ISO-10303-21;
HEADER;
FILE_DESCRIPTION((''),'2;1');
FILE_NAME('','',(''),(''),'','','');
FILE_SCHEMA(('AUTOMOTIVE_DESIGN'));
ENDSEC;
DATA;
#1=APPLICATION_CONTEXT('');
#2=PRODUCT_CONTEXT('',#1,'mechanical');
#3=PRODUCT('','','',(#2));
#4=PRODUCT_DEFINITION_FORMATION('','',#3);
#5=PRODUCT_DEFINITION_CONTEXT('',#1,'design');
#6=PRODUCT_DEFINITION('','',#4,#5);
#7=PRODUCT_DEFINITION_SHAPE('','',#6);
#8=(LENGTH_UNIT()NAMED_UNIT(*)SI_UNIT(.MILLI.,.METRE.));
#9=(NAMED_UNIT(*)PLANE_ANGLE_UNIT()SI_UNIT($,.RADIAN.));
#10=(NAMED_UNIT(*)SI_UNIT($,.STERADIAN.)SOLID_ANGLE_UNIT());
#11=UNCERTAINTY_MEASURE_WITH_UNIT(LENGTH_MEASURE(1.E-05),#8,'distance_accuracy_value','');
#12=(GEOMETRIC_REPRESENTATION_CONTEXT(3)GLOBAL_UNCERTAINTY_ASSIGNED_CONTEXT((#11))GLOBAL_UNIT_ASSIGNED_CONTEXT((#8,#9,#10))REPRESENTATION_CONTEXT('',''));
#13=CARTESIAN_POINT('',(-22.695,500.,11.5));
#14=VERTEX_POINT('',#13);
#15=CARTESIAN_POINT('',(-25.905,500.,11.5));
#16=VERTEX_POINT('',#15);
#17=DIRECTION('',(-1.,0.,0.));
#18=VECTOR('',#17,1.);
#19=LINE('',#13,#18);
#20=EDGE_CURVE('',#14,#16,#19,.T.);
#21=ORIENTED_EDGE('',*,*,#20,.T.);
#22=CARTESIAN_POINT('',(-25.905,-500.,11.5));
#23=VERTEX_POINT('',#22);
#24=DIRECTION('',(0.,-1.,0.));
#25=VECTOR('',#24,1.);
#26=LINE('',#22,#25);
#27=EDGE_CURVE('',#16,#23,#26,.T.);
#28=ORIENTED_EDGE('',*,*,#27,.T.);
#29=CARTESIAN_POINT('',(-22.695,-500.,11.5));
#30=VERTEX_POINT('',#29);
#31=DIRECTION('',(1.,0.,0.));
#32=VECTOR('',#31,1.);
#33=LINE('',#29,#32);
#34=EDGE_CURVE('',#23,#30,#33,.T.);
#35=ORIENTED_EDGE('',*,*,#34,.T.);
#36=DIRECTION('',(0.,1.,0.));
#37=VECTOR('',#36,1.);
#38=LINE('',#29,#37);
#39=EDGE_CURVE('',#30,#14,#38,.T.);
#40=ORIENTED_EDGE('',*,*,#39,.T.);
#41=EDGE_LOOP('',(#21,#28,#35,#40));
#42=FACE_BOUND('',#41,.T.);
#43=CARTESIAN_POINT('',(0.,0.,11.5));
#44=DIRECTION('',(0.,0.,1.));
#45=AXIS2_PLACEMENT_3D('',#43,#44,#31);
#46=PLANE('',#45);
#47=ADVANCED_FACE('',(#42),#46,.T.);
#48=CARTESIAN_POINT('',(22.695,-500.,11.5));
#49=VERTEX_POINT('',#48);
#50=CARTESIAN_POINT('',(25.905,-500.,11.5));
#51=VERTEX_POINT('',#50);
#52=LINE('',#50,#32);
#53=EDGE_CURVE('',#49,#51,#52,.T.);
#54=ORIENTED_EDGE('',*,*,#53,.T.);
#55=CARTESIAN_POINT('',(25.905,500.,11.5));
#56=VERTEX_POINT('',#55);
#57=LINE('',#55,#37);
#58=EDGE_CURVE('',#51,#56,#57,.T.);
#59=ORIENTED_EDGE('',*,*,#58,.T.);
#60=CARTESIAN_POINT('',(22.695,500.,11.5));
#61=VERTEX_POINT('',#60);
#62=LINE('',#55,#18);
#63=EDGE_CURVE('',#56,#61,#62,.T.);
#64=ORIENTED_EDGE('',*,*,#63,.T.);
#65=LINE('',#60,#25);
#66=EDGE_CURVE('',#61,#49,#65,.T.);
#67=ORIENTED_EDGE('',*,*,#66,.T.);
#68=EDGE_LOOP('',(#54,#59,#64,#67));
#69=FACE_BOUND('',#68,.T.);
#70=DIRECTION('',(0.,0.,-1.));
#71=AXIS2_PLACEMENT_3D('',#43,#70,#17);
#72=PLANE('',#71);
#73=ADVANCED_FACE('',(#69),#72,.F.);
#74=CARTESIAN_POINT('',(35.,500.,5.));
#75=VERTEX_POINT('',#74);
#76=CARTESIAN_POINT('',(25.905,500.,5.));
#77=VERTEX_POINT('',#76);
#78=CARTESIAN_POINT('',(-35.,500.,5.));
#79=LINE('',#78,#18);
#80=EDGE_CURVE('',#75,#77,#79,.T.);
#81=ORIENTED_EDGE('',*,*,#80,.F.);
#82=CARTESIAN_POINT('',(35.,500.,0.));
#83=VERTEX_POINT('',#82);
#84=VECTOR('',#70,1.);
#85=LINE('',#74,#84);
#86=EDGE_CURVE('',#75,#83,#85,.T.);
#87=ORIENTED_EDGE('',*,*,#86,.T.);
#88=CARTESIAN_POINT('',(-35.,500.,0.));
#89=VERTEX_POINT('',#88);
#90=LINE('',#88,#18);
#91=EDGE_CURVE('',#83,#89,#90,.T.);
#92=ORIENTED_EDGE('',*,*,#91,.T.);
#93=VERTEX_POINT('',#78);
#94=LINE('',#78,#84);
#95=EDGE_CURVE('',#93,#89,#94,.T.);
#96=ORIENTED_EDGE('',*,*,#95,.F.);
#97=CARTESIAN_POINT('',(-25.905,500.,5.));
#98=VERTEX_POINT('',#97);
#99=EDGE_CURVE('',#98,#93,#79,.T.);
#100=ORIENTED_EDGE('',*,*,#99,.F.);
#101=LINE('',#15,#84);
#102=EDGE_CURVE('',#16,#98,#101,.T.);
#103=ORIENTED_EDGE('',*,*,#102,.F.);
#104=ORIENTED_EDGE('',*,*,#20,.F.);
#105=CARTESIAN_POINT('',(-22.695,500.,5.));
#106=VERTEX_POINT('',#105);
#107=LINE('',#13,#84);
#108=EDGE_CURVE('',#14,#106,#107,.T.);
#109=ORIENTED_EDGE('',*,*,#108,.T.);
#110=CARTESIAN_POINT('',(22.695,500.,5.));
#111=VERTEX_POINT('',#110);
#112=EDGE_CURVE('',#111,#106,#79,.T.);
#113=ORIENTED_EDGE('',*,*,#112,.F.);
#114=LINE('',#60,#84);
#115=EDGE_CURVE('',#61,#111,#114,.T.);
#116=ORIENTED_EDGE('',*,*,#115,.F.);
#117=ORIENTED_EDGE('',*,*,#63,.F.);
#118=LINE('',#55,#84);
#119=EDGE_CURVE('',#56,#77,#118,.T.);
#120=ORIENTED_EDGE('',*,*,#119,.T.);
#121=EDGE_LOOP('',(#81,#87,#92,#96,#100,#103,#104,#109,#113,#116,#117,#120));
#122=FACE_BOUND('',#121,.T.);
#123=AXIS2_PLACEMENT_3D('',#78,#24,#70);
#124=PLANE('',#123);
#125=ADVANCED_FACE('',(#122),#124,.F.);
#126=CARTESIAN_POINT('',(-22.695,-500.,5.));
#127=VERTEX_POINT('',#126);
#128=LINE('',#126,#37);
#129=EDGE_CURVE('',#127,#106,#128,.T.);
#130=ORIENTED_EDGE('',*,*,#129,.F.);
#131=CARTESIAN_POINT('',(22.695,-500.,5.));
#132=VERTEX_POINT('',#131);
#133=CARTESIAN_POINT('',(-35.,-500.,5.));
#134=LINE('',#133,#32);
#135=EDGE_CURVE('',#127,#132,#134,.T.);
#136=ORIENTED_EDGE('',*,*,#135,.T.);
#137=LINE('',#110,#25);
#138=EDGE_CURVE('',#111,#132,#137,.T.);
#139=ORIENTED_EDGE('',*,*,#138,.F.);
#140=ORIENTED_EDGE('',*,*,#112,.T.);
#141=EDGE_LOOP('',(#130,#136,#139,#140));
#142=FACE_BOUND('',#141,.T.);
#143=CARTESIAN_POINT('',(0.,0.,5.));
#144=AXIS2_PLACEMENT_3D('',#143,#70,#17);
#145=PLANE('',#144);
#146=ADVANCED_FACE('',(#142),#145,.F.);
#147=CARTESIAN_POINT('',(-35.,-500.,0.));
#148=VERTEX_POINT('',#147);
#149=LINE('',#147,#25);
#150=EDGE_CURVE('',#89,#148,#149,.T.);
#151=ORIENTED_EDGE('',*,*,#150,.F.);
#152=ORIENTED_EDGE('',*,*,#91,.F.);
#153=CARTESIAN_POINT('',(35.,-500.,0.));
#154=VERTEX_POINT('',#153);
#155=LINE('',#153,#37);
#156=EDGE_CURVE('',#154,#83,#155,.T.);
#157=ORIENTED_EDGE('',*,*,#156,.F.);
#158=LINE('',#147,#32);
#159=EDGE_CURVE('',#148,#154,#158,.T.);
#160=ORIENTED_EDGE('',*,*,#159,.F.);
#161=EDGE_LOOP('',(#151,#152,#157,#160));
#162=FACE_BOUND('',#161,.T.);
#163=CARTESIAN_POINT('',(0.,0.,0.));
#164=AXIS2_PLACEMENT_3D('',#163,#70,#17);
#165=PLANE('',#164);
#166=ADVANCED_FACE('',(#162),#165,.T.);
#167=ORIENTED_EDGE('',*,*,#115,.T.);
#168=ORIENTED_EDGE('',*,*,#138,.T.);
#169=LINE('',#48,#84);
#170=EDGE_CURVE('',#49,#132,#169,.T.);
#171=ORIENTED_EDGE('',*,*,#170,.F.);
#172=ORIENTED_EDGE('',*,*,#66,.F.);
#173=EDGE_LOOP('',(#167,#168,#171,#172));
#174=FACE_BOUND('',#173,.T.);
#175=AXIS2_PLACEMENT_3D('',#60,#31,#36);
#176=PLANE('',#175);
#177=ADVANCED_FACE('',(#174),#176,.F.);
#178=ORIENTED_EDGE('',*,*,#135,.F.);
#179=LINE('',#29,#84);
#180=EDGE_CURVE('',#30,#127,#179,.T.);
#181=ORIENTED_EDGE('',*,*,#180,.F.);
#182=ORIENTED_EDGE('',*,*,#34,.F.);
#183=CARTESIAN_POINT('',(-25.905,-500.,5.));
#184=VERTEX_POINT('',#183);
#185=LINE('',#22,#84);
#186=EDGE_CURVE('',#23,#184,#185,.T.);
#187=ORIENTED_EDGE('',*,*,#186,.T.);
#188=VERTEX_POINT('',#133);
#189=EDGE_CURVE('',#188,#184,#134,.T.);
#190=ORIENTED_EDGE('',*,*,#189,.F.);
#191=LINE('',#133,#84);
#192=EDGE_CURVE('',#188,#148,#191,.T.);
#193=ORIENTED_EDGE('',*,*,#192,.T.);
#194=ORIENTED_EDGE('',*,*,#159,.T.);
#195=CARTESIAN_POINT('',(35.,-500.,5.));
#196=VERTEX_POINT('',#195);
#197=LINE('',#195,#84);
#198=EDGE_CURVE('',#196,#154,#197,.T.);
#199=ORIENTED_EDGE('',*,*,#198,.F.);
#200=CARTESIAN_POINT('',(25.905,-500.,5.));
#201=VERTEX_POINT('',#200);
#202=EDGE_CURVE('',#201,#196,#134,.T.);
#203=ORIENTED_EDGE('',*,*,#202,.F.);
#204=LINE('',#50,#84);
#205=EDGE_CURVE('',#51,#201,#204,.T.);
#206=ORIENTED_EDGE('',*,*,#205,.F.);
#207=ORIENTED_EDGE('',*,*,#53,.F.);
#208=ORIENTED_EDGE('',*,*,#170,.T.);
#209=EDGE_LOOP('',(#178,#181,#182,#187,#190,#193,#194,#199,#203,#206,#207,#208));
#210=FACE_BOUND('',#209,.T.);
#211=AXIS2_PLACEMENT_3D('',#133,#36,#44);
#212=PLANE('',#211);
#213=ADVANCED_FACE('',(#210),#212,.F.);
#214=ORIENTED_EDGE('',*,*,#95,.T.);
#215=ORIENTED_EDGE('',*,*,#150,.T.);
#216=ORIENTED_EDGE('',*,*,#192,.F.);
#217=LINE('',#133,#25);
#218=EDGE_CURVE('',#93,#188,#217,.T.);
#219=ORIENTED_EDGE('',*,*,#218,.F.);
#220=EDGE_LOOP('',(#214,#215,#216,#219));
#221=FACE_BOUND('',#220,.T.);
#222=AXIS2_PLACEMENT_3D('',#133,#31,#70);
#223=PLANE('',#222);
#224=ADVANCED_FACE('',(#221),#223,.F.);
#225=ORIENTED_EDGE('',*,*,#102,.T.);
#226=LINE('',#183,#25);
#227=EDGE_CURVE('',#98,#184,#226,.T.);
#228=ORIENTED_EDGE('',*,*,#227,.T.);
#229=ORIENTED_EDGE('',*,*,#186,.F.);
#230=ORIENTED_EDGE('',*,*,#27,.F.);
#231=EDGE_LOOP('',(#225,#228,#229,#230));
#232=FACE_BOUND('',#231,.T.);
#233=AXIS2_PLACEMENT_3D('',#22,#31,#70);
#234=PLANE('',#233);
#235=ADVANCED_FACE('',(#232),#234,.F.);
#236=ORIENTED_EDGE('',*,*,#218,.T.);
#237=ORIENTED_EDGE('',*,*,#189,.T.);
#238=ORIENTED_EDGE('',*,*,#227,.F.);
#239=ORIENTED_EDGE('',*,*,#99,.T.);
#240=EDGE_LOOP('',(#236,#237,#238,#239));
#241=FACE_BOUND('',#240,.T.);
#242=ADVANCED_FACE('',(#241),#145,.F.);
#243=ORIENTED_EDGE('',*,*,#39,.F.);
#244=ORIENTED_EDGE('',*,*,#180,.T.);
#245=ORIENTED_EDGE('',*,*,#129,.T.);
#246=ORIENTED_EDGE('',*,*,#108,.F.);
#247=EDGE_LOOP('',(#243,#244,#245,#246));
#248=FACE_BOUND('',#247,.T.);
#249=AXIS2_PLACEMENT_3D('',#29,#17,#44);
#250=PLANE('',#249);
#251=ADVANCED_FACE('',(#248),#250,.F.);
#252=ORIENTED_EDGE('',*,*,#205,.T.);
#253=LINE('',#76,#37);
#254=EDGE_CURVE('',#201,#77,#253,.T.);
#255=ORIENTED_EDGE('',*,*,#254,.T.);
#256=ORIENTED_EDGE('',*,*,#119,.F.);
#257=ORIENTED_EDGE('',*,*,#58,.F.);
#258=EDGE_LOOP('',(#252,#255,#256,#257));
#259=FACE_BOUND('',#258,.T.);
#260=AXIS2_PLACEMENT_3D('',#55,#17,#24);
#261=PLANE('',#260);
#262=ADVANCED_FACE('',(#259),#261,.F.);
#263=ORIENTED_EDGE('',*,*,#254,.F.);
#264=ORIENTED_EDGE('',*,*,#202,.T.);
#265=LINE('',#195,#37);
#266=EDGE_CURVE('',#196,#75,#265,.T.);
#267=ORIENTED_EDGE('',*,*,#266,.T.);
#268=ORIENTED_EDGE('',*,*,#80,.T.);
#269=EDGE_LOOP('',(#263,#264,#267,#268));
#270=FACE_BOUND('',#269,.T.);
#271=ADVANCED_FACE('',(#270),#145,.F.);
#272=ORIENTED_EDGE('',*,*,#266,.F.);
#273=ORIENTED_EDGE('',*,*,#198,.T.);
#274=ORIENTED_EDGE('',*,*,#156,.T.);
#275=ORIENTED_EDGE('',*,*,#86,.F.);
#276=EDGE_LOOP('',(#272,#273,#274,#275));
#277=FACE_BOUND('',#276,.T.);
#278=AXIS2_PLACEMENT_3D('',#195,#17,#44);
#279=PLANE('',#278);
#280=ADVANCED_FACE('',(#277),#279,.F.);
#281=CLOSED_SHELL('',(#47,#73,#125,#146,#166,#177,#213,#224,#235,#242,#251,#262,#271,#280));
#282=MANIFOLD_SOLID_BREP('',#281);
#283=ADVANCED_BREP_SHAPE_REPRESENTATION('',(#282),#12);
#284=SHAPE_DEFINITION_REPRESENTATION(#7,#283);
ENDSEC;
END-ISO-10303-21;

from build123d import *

# Parameters (mm, degrees)
SKETCH1_W           = 70
SKETCH1_H           = 1000
BOSS_EXTRUDE1_DEPTH = 5
SKETCH3_W           = 3.21
SKETCH3_H           = 1000
BOSS_EXTRUDE2_DEPTH = 6.5


with BuildPart() as part:
    # Sketch1 → Boss-Extrude1 (new body)
    with BuildSketch(Plane.XY):
        Rectangle(SKETCH1_W, SKETCH1_H)
    extrude(amount=BOSS_EXTRUDE1_DEPTH)

    # Sketch3 → Boss-Extrude2 (add)
    with BuildSketch(Plane.XY.offset(5)):
        with Locations((-24.3, 0)):
            Rectangle(SKETCH3_W, SKETCH3_H)
        with Locations((24.3, 0)):
            Rectangle(SKETCH3_W, SKETCH3_H)
    extrude(amount=BOSS_EXTRUDE2_DEPTH)


solid = part.part
